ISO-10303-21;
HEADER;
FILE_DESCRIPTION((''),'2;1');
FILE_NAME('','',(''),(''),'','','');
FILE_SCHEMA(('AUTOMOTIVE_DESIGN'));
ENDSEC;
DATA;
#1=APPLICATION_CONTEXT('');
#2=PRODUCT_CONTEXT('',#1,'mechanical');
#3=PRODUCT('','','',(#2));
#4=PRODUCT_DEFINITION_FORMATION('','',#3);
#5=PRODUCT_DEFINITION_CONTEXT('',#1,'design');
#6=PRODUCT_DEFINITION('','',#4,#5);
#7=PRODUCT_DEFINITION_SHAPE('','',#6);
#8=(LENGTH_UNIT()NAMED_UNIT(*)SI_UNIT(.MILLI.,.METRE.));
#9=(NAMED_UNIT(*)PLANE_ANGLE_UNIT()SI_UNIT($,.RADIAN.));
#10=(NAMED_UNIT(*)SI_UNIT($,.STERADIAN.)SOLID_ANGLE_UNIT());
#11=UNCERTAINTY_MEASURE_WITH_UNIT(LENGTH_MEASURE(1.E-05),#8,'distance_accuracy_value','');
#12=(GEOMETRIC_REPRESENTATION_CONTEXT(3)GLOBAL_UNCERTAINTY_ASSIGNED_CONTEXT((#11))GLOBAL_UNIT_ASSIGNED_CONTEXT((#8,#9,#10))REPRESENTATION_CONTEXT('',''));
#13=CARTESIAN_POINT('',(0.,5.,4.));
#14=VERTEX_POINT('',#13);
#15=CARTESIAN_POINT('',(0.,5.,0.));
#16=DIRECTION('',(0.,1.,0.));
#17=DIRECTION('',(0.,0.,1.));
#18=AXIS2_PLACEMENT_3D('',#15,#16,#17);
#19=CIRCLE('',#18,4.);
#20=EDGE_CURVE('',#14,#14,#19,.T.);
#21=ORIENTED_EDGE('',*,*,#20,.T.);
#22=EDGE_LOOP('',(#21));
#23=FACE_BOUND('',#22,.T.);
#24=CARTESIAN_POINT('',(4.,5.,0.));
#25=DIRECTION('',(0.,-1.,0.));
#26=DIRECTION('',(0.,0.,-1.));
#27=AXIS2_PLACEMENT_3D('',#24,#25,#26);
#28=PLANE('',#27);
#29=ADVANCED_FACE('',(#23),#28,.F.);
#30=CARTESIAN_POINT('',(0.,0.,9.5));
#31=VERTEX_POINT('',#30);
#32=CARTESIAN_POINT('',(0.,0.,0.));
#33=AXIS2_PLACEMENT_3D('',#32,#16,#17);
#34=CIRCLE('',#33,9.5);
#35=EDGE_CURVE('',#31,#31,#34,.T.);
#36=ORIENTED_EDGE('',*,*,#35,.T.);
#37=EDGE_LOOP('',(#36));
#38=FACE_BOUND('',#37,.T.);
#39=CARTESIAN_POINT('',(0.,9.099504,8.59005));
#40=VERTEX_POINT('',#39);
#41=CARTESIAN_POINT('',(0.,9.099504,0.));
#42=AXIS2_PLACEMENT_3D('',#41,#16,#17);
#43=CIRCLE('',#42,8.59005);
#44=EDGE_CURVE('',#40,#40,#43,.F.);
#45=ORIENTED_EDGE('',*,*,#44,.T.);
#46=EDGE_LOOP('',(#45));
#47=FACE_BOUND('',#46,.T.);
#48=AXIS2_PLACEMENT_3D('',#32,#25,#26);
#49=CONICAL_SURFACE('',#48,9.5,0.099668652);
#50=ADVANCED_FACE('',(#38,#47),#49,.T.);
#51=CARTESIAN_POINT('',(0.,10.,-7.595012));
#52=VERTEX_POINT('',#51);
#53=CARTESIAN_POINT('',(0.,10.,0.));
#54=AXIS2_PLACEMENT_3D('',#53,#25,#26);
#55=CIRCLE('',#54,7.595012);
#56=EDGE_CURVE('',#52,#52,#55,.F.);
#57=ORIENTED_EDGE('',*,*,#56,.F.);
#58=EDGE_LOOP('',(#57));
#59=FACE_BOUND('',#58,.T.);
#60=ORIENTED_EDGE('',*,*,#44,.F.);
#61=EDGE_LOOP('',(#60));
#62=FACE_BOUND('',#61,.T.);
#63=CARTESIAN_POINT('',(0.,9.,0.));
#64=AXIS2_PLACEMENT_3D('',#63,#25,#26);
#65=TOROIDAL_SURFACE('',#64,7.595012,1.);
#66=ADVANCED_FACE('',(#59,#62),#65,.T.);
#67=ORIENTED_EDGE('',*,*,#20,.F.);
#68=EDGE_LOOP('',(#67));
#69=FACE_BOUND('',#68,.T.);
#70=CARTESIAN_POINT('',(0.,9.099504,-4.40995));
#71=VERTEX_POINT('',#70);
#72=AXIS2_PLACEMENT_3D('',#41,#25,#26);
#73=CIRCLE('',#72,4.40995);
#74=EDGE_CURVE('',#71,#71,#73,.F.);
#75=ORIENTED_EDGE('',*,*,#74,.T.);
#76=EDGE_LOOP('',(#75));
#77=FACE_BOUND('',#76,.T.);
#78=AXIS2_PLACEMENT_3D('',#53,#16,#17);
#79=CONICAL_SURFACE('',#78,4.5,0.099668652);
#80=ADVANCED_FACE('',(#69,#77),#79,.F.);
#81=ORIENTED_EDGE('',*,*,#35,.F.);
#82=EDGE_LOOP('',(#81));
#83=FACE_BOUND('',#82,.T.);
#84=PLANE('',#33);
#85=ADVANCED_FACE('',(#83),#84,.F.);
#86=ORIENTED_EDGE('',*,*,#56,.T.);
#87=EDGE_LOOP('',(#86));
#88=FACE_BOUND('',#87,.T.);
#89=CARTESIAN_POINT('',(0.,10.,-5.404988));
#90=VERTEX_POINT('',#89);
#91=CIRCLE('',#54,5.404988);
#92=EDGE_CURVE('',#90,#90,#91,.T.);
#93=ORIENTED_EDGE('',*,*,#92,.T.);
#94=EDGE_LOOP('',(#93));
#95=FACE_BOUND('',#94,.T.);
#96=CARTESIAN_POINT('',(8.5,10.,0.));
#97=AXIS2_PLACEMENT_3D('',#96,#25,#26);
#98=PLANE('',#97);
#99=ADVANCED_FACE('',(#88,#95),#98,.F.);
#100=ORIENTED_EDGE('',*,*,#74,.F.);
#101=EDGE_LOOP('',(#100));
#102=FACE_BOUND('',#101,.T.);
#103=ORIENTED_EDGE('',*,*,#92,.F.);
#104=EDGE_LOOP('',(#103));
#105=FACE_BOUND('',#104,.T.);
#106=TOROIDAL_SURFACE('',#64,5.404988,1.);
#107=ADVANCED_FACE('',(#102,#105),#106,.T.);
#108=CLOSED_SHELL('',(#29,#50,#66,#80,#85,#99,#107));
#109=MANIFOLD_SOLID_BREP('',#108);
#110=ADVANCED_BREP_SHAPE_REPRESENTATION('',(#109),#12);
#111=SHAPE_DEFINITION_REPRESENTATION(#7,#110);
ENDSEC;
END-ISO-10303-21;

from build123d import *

# Parameters (mm, degrees)
FILLET1_R = 1


with BuildPart() as part:
    # Sketch1 → Revolve1 (revolve)
    with BuildSketch(Plane.XY, mode=Mode.PRIVATE) as revolve1_sk:
        Polygon((0, 0), (9.5, 0), (8.5, 10), (4.5, 10), (4, 5), (0, 5), align=None)
    revolve(revolve1_sk.sketch.rotate(Axis((0, 27.669982315, 0), (0, -1, 0)), 90), axis=Axis((0, 27.669982315, 0), (0, -1, 0)))

    # Fillet1
    fillet1_edges = [part.edges().sort_by_distance(p)[0] for p in [
        (0, 10, -4.5),
        (0, 10, -8.5),
    ]]
    fillet(fillet1_edges, radius=FILLET1_R)


solid = part.part
